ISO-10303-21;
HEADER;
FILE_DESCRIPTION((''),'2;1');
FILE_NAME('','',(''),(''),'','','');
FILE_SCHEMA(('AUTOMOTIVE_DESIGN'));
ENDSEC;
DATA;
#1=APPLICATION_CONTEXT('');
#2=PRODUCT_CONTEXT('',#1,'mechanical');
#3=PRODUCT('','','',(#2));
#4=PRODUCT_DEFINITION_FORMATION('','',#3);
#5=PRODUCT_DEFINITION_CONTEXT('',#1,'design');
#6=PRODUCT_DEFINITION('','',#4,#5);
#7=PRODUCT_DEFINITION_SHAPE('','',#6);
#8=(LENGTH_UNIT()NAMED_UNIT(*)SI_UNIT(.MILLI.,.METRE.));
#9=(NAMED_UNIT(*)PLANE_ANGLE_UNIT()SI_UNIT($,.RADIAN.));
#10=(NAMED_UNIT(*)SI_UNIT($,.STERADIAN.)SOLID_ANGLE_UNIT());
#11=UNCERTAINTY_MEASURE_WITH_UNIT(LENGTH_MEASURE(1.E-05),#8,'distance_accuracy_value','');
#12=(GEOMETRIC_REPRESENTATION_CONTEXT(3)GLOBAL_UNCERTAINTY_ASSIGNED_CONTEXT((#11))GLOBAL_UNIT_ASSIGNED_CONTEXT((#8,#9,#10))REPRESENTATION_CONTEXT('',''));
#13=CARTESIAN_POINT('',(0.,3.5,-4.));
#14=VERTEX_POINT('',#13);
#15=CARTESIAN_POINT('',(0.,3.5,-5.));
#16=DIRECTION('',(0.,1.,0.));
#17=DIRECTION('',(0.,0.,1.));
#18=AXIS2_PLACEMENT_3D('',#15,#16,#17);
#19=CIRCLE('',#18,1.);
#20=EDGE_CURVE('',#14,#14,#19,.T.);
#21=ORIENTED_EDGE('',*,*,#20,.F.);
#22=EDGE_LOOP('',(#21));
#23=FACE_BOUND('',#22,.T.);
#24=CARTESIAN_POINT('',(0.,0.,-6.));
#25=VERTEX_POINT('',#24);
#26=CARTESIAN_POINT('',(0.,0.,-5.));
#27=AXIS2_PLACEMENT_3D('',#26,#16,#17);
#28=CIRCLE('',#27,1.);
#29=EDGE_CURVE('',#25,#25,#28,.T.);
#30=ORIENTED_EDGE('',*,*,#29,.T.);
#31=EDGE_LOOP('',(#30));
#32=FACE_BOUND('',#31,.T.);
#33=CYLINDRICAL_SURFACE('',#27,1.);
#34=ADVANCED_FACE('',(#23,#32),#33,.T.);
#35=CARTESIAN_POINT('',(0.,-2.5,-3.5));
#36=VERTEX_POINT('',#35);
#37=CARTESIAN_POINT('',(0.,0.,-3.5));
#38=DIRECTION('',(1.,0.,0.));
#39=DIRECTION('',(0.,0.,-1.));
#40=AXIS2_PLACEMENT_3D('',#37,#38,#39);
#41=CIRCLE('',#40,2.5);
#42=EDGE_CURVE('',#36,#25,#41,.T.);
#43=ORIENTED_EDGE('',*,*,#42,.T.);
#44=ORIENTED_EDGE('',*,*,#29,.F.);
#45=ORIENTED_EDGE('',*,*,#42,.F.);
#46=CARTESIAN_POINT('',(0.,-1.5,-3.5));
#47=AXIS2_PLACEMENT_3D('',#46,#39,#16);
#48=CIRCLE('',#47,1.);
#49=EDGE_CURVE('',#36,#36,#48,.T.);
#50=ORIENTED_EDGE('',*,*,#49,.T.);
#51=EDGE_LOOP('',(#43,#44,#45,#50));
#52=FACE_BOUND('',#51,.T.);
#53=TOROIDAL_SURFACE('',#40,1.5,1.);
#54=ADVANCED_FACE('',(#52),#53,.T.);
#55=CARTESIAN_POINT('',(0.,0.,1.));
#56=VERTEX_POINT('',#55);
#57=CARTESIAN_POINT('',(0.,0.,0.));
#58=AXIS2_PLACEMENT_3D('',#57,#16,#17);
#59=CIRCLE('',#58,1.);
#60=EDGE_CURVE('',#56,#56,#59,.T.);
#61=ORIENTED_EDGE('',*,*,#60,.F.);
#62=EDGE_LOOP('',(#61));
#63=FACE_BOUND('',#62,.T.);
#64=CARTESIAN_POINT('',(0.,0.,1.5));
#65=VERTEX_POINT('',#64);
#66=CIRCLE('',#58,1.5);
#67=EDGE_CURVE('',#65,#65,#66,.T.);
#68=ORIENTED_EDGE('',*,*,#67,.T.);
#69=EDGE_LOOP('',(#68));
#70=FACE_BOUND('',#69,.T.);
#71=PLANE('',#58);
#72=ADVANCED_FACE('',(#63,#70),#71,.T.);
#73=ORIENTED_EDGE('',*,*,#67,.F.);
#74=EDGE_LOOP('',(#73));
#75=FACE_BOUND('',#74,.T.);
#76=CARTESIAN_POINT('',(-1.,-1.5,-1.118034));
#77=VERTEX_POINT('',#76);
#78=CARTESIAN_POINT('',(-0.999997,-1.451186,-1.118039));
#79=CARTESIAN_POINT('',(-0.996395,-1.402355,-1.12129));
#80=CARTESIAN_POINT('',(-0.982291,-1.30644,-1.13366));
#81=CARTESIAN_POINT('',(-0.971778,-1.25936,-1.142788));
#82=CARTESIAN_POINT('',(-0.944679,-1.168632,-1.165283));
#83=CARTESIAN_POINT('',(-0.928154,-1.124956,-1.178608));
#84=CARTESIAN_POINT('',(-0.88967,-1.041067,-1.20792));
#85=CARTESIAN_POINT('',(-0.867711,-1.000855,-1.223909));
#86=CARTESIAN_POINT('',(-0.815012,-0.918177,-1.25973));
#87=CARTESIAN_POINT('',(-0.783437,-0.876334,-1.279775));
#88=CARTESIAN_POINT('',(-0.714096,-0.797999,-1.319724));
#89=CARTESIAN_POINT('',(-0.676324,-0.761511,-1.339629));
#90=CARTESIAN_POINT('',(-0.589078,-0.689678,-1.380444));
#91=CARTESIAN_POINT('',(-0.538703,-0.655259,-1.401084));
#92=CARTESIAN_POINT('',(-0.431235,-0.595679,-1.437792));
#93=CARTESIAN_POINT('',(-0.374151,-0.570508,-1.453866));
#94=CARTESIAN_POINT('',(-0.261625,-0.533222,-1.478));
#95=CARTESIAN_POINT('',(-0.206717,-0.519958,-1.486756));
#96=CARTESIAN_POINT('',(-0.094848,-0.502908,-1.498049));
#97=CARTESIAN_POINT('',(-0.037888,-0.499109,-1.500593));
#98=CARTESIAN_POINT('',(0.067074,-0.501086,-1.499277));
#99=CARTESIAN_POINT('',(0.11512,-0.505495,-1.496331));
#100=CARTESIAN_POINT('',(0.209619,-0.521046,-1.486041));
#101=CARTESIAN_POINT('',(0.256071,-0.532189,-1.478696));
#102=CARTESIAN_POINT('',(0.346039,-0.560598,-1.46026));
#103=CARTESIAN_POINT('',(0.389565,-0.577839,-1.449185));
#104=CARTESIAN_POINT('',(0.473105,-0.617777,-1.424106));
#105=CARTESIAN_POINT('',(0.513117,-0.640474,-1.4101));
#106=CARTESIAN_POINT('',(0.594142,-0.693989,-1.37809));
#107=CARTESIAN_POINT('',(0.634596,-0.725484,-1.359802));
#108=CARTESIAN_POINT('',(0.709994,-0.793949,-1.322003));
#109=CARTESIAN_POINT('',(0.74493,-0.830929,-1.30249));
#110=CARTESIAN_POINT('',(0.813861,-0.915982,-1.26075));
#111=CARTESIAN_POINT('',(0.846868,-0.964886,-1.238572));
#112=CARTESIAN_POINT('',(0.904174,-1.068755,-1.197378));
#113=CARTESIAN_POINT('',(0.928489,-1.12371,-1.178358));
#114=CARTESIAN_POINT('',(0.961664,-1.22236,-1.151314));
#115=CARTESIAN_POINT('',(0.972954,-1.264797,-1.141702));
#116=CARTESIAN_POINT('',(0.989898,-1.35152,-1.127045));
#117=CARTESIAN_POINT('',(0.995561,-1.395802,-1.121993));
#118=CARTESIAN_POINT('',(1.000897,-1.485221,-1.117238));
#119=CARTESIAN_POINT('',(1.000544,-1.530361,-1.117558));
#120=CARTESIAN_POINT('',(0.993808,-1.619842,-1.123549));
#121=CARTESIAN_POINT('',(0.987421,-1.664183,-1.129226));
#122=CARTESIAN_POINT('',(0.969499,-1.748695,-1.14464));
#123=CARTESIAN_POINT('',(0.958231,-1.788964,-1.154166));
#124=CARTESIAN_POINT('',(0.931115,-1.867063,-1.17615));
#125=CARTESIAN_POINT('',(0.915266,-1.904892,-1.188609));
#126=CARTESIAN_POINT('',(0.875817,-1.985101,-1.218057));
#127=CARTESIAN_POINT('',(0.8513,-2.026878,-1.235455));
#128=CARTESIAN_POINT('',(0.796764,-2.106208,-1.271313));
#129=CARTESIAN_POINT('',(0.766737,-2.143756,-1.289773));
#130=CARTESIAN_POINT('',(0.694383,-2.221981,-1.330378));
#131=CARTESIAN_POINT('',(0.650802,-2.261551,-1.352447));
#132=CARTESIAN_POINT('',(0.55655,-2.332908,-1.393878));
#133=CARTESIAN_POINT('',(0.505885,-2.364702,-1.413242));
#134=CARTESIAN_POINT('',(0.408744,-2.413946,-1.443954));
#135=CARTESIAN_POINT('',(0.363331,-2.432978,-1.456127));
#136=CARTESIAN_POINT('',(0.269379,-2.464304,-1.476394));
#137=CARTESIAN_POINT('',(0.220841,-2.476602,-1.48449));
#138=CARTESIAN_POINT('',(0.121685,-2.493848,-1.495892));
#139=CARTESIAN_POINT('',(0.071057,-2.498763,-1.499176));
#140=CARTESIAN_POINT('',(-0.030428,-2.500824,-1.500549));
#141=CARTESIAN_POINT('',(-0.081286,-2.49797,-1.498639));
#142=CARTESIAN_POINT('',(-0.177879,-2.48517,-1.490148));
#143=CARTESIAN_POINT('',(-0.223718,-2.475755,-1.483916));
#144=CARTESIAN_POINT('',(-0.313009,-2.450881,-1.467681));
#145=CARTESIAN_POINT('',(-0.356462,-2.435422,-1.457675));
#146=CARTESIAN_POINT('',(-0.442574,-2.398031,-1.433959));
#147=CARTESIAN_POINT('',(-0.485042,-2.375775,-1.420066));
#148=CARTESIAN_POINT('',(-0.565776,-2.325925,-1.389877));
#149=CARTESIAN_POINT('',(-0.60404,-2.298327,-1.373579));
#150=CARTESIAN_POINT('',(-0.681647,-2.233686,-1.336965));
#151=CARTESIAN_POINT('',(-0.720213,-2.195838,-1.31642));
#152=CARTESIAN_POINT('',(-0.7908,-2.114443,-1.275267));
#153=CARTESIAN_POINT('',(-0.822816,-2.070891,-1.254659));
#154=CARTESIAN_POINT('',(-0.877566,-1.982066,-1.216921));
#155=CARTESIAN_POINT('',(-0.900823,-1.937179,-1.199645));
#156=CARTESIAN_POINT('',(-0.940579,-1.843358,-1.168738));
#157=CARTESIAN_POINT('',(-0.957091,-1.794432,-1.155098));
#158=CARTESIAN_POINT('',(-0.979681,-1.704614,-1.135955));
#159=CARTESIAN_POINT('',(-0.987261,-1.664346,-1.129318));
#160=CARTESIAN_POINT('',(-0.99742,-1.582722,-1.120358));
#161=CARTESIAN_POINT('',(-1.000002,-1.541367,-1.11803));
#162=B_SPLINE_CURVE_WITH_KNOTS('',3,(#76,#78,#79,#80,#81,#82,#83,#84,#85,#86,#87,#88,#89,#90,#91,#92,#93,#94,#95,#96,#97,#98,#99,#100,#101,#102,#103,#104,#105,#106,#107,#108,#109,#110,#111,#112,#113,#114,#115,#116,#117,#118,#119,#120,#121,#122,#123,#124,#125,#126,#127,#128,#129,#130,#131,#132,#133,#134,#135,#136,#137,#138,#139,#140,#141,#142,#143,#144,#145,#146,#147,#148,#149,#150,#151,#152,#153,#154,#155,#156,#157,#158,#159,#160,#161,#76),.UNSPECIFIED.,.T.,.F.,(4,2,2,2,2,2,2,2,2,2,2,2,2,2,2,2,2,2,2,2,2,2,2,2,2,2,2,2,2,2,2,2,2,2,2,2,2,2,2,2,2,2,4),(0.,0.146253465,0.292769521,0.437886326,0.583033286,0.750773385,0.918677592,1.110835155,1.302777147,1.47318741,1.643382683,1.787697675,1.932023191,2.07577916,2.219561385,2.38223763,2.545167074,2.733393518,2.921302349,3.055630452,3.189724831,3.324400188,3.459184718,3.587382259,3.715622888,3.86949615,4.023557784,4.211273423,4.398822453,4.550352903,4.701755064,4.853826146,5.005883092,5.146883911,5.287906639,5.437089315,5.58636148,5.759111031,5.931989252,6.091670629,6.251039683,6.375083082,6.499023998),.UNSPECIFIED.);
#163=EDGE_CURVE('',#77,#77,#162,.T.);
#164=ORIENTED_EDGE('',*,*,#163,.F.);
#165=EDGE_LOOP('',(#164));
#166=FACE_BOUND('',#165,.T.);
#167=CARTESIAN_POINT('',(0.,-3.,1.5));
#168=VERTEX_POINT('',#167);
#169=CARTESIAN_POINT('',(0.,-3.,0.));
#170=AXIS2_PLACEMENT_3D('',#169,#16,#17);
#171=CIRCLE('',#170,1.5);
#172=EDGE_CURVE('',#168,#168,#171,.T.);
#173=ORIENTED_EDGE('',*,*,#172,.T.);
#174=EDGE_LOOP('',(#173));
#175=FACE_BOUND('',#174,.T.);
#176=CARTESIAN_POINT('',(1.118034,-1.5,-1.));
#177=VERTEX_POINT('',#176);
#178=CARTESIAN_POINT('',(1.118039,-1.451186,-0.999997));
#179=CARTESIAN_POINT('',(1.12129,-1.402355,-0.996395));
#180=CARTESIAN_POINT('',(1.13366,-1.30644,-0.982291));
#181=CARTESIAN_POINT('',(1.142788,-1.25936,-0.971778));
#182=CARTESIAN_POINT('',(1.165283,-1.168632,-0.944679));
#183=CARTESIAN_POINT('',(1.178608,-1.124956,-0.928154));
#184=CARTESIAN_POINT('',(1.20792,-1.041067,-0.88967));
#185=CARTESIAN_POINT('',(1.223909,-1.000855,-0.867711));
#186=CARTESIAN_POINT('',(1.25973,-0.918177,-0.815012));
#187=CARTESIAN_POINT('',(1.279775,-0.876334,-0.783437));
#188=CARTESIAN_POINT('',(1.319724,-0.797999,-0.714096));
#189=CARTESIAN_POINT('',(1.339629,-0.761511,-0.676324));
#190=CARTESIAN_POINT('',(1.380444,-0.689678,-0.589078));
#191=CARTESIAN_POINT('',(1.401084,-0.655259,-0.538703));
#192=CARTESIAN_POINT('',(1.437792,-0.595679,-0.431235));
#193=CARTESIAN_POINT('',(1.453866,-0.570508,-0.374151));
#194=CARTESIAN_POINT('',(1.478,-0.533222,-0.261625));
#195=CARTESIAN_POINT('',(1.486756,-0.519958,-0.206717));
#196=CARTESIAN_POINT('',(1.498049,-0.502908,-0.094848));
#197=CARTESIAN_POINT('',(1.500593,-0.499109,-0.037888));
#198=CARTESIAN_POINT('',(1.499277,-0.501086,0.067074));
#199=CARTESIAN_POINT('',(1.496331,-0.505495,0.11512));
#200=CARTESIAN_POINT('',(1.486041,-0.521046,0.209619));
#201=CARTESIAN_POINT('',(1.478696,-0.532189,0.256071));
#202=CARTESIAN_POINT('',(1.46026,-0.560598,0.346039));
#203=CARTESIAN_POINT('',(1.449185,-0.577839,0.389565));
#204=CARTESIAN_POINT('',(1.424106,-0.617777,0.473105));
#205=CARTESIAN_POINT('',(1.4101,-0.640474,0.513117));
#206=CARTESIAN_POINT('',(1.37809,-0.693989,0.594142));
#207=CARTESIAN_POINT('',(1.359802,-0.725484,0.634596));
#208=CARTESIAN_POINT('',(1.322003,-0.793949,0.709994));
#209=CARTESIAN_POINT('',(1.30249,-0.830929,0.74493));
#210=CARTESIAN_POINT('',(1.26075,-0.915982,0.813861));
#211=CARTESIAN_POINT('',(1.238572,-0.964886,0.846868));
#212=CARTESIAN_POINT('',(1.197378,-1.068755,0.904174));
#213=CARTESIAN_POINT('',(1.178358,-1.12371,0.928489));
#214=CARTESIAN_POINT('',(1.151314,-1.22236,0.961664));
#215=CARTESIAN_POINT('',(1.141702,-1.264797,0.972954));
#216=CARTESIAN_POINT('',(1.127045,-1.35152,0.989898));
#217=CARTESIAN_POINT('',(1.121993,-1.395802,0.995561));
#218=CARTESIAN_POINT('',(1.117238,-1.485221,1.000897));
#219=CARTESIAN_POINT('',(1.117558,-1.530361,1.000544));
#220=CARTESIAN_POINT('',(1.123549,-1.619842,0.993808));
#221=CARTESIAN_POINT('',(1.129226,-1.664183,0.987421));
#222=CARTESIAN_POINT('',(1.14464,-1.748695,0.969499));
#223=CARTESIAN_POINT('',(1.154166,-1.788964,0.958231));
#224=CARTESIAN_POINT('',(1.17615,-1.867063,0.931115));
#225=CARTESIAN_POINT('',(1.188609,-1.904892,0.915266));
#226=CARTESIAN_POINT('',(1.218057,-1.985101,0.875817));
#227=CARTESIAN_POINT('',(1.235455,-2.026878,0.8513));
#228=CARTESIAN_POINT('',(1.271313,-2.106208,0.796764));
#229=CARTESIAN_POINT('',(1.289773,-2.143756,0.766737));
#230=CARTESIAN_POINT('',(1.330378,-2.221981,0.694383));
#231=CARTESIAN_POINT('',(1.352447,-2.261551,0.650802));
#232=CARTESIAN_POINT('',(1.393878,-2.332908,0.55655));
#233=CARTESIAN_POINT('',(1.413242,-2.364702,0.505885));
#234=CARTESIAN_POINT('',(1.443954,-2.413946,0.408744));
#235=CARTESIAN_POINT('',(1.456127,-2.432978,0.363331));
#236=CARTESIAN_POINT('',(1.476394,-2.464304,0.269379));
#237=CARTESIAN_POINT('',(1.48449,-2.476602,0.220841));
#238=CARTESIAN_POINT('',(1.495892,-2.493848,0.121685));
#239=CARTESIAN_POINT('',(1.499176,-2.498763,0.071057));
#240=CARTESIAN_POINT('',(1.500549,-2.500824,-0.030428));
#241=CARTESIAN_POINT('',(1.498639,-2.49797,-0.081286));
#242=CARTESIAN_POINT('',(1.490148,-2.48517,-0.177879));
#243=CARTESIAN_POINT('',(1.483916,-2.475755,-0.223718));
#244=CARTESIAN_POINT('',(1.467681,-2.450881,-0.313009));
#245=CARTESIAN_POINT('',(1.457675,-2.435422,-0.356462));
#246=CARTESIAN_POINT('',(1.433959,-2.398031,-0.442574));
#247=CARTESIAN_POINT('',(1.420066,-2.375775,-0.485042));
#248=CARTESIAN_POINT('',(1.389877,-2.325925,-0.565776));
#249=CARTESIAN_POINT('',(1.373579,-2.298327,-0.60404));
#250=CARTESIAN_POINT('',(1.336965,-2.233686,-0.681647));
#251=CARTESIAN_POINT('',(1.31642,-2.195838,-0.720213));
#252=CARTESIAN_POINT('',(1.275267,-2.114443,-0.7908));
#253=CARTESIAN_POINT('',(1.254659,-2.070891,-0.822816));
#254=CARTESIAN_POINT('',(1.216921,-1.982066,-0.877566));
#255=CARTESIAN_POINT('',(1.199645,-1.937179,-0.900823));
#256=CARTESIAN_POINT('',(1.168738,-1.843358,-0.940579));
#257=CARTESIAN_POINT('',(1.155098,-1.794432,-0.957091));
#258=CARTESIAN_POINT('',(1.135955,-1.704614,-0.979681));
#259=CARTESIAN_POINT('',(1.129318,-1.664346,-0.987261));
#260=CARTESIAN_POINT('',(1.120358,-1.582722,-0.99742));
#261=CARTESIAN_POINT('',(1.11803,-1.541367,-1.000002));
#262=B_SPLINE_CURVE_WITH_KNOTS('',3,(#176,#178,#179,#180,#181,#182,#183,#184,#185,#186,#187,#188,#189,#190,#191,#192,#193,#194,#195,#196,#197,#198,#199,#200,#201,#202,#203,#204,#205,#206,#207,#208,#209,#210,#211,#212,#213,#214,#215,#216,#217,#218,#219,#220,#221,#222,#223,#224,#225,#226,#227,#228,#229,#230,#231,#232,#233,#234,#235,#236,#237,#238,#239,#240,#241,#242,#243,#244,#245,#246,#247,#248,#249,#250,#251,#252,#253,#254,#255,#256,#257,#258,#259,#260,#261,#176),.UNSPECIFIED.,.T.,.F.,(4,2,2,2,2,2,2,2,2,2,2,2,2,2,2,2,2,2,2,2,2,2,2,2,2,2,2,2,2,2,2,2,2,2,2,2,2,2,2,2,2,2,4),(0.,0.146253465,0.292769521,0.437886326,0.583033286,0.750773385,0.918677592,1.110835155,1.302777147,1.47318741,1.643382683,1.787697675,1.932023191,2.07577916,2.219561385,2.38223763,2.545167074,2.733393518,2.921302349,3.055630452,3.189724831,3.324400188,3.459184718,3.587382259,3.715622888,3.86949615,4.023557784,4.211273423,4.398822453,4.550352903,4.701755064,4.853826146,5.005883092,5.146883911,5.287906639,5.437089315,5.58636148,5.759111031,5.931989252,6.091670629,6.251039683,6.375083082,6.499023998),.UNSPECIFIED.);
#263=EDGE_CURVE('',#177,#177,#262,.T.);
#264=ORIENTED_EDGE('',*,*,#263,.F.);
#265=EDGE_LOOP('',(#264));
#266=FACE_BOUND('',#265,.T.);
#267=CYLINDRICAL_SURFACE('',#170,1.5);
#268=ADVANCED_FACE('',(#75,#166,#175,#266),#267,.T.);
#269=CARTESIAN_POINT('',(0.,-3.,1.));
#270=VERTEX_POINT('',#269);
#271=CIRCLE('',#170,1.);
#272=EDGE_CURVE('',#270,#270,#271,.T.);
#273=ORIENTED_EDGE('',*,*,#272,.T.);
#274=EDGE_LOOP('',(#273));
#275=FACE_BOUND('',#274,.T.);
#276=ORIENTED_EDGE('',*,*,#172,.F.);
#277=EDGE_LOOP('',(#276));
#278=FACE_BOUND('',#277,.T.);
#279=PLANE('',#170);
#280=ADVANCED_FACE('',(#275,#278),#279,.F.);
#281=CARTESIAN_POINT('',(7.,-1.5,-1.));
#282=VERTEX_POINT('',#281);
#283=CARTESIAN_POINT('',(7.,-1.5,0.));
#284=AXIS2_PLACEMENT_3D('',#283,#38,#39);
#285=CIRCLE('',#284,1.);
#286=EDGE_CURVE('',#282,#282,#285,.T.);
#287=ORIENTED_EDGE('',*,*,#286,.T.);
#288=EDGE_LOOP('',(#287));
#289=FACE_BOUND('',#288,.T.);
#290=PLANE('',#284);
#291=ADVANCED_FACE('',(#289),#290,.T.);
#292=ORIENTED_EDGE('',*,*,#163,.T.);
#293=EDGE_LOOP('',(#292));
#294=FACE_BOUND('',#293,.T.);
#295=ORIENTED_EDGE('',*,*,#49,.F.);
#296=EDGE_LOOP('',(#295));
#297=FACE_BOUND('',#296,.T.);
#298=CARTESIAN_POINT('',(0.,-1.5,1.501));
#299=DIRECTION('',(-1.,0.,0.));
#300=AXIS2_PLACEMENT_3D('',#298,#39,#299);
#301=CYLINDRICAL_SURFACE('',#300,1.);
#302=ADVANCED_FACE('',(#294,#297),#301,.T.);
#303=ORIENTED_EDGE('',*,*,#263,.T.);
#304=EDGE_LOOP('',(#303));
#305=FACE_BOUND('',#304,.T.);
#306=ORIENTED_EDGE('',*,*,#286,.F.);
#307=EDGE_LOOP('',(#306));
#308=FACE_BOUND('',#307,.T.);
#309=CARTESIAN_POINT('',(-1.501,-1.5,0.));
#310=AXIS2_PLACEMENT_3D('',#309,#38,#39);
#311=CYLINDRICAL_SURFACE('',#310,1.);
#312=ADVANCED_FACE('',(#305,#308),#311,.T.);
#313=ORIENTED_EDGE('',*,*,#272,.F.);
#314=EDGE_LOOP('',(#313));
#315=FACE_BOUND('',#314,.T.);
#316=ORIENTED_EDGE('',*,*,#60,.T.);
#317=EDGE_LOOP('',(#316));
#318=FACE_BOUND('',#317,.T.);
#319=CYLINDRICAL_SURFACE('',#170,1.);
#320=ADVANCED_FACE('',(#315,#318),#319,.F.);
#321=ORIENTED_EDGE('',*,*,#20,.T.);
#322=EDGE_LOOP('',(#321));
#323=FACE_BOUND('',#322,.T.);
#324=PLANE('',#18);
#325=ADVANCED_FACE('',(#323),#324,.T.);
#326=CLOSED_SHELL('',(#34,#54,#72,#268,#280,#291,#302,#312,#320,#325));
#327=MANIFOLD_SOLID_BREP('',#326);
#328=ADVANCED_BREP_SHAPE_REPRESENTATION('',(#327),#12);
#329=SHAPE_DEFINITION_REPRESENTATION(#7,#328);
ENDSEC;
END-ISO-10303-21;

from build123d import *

# Parameters (mm, degrees)
SKETCH1_R                = 1.5
SKETCH1_R_2              = 1
BOSS_EXTRUDE1_DEPTH      = 3
SKETCH3_R                = 1
BOSS_EXTRUDE4_REACH      = 7.895
SKETCH4_R                = 1
BOSS_EXTRUDE5_REACH      = 12.977
BOSS_EXTRUDE5_END_RADIUS = 1.5
SKETCH6_R                = 1


with BuildPart() as part:
    # Sketch1 → Boss-Extrude1 (new body)
    with BuildSketch(Plane(origin=(0, 0, 0), x_dir=(1, 0, 0), z_dir=(0, 1, 0))):
        with Locations(Location((0, 0, 0), (0, 0, 270))):
            Circle(SKETCH1_R)
        with Locations(Location((0, 0, 0), (0, 0, 270))):
            Circle(SKETCH1_R_2, mode=Mode.SUBTRACT)
    extrude(amount=-BOSS_EXTRUDE1_DEPTH)

    # Sketch4 → Boss-Extrude4 (add, up to next)
    with BuildSketch(Plane.XY.offset(-1.5), mode=Mode.PRIVATE) as boss_extrude4_sk1:
        with Locations(Location((0, -1.5, 0), (0, 0, 180))):
            Circle(SKETCH4_R)
    boss_extrude4_tool1 = extrude(boss_extrude4_sk1.sketch, amount=BOSS_EXTRUDE4_REACH, mode=Mode.PRIVATE) - part.part


with BuildPart() as body_2:
    # Sweep1: sweep along a path in Sketch2
    with BuildLine(Plane(origin=(0, 0, 0), x_dir=(0, 0, -1), z_dir=(1, 0, 0))) as sweep1_path:
        Line((1.5, -1.5), (3.5, -1.5))
        ThreePointArc((3.5, -1.5), (4.560660172, -1.060660172), (5, 0))
        Line((5, 0), (5, 3.5))
    # Sketch3 → Sweep1 (sweep)
    with BuildSketch(Plane(origin=(0, 3.5, 0), x_dir=(1, 0, 0), z_dir=(0, 1, 0))):
        with Locations((0, 5)):
            Circle(SKETCH3_R)
    sweep(path=sweep1_path.line)


with BuildPart() as part_1:
    add(part.part)

    add(body_2.part)  # Boss-Extrude4 merges body 2
    add(boss_extrude4_tool1.solids().sort_by_distance((0, -1.5, -1.5))[0])
    add(boss_extrude4_tool1.solids().sort_by_distance((0, -1.5, -1.5))[1])

    # Boss-Extrude5: up to this cylinder (the profile starts outside it)
    boss_extrude5_end = Plane(origin=(0, -1.5, 0), z_dir=(0, 1, 0)) * Cylinder(BOSS_EXTRUDE5_END_RADIUS, 29.954, mode=Mode.PRIVATE)
    # Sketch6 → Boss-Extrude5 (add, up to the surface)
    with BuildSketch(Plane(origin=(7, 0, 0), x_dir=(0, 0, -1), z_dir=(1, 0, 0)), mode=Mode.PRIVATE) as boss_extrude5_sk1:
        with Locations((0, -1.5)):
            Circle(SKETCH6_R)
    boss_extrude5_tool1 = extrude(boss_extrude5_sk1.sketch, amount=-BOSS_EXTRUDE5_REACH, mode=Mode.PRIVATE) - boss_extrude5_end
    add(boss_extrude5_tool1.solids().sort_by_distance((7, -1.5, 0))[0])


solid = part_1.part
